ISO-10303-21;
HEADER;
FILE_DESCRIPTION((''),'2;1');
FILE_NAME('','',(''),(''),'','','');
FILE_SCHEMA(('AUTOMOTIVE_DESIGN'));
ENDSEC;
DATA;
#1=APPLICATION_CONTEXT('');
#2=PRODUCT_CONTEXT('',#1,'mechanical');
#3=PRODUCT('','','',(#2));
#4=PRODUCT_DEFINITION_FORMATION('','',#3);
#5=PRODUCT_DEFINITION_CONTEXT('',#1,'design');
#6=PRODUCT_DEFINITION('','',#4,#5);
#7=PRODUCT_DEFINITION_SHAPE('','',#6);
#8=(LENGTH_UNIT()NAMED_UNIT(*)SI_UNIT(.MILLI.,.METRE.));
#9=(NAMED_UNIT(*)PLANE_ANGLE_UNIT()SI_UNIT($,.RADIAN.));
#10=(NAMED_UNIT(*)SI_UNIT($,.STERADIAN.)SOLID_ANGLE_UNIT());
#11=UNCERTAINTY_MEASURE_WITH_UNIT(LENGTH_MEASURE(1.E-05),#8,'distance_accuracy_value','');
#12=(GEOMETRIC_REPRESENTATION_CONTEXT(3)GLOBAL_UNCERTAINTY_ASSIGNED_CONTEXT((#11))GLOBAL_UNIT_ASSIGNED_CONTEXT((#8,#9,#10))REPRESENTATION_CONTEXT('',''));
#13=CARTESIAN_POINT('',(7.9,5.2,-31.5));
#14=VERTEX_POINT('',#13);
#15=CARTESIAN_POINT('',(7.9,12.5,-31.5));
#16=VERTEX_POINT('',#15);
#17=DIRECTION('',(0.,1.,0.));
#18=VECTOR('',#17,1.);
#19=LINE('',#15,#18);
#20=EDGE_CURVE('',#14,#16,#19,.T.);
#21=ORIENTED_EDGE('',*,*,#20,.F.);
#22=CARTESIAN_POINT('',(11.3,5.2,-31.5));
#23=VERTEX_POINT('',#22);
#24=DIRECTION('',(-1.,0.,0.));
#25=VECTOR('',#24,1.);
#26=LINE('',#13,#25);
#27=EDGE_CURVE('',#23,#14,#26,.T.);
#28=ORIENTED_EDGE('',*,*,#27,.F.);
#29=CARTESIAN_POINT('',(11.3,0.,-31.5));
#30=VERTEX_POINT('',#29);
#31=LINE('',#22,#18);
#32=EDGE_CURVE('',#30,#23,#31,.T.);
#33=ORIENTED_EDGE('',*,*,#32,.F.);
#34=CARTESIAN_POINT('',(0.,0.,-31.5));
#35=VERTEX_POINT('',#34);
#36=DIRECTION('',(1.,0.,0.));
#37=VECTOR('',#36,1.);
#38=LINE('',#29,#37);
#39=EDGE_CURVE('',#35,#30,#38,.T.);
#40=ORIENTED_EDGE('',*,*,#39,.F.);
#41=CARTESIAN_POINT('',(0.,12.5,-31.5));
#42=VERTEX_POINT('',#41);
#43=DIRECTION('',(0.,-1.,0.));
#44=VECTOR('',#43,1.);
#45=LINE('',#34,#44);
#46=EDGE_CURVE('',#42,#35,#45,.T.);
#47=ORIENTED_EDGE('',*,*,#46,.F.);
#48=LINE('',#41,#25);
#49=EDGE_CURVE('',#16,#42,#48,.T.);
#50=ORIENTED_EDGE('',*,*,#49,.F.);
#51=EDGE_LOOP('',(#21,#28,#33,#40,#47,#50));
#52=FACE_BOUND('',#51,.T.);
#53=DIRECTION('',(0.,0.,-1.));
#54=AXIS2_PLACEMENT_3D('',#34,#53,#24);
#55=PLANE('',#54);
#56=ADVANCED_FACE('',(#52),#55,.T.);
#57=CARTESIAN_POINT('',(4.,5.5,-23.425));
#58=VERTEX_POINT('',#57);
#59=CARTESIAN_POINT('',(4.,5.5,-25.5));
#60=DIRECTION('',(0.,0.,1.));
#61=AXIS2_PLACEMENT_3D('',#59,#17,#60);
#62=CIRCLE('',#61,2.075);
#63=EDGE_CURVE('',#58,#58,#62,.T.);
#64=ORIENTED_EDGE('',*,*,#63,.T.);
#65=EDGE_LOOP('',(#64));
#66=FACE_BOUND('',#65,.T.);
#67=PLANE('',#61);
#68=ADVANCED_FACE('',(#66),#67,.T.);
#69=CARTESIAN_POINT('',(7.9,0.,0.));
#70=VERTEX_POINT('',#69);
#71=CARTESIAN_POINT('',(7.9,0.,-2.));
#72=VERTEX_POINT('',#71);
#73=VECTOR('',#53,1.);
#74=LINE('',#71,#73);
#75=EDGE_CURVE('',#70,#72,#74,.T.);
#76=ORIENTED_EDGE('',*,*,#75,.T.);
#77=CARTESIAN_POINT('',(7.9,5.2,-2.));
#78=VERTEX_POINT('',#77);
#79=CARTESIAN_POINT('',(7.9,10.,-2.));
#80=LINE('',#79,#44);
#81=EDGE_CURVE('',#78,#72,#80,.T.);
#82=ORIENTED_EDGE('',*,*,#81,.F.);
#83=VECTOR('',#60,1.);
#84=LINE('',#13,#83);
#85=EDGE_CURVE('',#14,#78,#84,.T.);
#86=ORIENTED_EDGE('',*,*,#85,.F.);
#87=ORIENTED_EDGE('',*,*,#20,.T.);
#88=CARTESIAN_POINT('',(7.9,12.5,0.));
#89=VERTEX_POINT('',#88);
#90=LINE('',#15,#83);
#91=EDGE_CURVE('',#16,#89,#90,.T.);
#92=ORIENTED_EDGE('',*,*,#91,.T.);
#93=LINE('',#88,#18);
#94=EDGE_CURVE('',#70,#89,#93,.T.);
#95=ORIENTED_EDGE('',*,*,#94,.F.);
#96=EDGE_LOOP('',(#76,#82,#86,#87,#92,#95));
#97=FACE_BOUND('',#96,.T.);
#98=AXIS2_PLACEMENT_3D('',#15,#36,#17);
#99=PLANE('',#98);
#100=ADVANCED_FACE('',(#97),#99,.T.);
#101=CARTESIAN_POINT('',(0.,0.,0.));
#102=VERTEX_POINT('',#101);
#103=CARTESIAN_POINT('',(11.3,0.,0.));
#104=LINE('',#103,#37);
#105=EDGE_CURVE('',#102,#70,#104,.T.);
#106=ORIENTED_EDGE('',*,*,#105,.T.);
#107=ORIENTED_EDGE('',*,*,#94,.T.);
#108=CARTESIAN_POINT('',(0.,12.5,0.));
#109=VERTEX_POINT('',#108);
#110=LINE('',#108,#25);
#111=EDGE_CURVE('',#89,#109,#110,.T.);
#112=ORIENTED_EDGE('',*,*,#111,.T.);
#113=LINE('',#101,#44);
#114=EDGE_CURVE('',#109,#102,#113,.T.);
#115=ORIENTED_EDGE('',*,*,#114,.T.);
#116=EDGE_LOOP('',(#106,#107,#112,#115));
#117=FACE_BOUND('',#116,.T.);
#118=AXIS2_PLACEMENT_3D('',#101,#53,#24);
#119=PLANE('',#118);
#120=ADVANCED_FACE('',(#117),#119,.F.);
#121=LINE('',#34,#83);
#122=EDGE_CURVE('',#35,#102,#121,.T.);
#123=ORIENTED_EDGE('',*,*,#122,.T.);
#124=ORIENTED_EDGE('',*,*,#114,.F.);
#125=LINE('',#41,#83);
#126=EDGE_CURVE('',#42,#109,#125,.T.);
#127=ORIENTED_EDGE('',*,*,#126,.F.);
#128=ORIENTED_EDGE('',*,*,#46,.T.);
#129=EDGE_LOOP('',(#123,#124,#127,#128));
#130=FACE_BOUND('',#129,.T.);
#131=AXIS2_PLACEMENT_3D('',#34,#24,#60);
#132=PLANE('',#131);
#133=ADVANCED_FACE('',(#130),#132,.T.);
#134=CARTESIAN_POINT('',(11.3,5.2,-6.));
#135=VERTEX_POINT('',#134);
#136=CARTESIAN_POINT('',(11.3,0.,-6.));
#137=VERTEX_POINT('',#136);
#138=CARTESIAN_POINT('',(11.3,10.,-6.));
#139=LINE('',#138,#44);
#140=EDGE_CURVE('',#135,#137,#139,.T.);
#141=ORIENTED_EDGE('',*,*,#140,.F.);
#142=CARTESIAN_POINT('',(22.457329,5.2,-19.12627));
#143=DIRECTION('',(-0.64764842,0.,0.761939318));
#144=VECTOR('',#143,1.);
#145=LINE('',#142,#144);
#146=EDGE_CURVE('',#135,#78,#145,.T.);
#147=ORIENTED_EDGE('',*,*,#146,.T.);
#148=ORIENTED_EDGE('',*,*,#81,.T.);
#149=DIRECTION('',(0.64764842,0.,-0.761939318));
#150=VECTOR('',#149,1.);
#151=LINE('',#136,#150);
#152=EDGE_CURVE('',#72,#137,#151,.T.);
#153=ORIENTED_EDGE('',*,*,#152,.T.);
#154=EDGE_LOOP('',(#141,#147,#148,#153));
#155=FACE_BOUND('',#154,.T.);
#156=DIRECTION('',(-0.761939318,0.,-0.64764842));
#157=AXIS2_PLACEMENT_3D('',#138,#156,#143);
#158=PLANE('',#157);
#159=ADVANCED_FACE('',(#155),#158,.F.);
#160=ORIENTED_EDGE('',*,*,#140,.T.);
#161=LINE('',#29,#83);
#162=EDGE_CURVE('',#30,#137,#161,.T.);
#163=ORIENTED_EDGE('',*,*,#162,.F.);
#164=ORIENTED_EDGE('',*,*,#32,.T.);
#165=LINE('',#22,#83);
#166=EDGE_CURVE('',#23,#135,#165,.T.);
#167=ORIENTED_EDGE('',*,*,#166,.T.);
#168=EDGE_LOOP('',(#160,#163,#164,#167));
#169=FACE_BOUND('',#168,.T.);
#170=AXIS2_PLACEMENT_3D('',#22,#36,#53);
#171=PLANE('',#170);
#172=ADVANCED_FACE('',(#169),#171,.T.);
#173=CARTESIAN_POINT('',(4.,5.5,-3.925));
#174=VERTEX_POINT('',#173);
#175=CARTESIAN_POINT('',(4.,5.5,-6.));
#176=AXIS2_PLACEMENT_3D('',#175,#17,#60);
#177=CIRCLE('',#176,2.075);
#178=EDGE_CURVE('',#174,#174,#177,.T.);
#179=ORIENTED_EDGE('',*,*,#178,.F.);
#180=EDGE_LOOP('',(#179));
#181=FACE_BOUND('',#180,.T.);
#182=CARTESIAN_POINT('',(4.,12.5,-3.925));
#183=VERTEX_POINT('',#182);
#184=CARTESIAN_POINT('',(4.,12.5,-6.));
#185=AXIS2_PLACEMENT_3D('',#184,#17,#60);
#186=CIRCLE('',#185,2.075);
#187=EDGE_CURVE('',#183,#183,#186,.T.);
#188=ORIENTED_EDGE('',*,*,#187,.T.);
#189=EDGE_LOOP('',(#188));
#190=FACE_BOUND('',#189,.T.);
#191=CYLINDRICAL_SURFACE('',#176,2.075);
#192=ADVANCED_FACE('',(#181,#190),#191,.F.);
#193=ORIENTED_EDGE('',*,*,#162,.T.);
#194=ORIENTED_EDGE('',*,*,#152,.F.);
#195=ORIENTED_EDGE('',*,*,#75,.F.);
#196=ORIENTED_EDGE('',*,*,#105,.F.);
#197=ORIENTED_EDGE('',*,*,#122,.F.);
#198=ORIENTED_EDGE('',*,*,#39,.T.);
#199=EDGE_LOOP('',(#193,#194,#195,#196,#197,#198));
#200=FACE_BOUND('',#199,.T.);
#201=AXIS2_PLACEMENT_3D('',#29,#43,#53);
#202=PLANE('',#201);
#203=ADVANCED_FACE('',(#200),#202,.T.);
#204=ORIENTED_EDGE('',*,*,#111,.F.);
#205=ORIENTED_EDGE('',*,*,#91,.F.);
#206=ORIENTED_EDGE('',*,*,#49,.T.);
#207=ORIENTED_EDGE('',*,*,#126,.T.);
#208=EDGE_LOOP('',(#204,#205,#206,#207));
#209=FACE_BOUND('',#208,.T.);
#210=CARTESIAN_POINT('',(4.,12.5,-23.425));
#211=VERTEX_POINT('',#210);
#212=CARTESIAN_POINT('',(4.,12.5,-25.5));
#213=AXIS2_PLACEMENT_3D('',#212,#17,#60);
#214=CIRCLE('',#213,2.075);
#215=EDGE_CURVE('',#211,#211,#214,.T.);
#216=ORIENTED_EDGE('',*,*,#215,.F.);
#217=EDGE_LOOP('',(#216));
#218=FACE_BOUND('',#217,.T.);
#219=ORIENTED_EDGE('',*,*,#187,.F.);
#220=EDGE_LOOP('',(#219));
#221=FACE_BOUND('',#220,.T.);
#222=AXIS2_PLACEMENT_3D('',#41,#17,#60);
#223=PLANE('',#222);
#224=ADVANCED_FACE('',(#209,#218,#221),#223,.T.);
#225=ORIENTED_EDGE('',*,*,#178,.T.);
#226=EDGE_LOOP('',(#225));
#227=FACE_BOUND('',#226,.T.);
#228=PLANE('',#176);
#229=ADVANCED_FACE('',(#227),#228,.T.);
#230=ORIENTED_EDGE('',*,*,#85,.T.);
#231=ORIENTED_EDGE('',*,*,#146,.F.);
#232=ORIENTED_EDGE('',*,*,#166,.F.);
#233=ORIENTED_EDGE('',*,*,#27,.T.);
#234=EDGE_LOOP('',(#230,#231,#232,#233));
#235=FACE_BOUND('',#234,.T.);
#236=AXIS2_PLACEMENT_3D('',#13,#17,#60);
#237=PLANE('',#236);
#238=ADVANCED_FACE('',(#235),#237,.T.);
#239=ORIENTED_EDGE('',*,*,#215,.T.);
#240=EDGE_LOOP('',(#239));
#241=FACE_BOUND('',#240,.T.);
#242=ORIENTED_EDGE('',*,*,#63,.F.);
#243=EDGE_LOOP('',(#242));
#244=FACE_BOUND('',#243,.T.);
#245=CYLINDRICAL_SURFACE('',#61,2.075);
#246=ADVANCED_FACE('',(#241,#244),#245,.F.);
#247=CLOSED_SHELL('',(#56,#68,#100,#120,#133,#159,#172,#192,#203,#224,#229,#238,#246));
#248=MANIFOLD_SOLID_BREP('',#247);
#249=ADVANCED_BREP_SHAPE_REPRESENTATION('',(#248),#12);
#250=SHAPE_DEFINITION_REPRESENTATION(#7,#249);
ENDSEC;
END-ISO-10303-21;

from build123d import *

# Parameters (mm, degrees)
BOSS_EXTRUDE1_DEPTH = 31.5
SKETCH2_R           = 2.075
CUT_EXTRUDE1_DEPTH  = 7
CUT_EXTRUDE2_DEPTH  = 10


with BuildPart() as part:
    # Sketch1 → Boss-Extrude1 (new body)
    with BuildSketch(Plane.XY):
        Polygon((0, 0), (0, 12.5), (7.9, 12.5), (7.9, 5.2), (11.3, 5.2), (11.3, 0), align=None)
    extrude(amount=-BOSS_EXTRUDE1_DEPTH)

    # Sketch2 → Cut-Extrude1 (cut)
    with BuildSketch(Plane(origin=(0, 12.5, 0), x_dir=(1, 0, 0), z_dir=(0, 1, 0))):
        with Locations(Location((4, 6, 0), (0, 0, 270))):
            Circle(SKETCH2_R)
        with Locations(Location((4, 25.5, 0), (0, 0, 270))):
            Circle(SKETCH2_R)
    extrude(amount=-CUT_EXTRUDE1_DEPTH, mode=Mode.SUBTRACT)

    # Sketch3 → Cut-Extrude2 (cut)
    with BuildSketch(Plane.XZ):
        Polygon((7.9, -2), (7.9, 0), (11.3, 0), (11.3, -6), align=None)
    extrude(amount=-CUT_EXTRUDE2_DEPTH, mode=Mode.SUBTRACT)


solid = part.part
